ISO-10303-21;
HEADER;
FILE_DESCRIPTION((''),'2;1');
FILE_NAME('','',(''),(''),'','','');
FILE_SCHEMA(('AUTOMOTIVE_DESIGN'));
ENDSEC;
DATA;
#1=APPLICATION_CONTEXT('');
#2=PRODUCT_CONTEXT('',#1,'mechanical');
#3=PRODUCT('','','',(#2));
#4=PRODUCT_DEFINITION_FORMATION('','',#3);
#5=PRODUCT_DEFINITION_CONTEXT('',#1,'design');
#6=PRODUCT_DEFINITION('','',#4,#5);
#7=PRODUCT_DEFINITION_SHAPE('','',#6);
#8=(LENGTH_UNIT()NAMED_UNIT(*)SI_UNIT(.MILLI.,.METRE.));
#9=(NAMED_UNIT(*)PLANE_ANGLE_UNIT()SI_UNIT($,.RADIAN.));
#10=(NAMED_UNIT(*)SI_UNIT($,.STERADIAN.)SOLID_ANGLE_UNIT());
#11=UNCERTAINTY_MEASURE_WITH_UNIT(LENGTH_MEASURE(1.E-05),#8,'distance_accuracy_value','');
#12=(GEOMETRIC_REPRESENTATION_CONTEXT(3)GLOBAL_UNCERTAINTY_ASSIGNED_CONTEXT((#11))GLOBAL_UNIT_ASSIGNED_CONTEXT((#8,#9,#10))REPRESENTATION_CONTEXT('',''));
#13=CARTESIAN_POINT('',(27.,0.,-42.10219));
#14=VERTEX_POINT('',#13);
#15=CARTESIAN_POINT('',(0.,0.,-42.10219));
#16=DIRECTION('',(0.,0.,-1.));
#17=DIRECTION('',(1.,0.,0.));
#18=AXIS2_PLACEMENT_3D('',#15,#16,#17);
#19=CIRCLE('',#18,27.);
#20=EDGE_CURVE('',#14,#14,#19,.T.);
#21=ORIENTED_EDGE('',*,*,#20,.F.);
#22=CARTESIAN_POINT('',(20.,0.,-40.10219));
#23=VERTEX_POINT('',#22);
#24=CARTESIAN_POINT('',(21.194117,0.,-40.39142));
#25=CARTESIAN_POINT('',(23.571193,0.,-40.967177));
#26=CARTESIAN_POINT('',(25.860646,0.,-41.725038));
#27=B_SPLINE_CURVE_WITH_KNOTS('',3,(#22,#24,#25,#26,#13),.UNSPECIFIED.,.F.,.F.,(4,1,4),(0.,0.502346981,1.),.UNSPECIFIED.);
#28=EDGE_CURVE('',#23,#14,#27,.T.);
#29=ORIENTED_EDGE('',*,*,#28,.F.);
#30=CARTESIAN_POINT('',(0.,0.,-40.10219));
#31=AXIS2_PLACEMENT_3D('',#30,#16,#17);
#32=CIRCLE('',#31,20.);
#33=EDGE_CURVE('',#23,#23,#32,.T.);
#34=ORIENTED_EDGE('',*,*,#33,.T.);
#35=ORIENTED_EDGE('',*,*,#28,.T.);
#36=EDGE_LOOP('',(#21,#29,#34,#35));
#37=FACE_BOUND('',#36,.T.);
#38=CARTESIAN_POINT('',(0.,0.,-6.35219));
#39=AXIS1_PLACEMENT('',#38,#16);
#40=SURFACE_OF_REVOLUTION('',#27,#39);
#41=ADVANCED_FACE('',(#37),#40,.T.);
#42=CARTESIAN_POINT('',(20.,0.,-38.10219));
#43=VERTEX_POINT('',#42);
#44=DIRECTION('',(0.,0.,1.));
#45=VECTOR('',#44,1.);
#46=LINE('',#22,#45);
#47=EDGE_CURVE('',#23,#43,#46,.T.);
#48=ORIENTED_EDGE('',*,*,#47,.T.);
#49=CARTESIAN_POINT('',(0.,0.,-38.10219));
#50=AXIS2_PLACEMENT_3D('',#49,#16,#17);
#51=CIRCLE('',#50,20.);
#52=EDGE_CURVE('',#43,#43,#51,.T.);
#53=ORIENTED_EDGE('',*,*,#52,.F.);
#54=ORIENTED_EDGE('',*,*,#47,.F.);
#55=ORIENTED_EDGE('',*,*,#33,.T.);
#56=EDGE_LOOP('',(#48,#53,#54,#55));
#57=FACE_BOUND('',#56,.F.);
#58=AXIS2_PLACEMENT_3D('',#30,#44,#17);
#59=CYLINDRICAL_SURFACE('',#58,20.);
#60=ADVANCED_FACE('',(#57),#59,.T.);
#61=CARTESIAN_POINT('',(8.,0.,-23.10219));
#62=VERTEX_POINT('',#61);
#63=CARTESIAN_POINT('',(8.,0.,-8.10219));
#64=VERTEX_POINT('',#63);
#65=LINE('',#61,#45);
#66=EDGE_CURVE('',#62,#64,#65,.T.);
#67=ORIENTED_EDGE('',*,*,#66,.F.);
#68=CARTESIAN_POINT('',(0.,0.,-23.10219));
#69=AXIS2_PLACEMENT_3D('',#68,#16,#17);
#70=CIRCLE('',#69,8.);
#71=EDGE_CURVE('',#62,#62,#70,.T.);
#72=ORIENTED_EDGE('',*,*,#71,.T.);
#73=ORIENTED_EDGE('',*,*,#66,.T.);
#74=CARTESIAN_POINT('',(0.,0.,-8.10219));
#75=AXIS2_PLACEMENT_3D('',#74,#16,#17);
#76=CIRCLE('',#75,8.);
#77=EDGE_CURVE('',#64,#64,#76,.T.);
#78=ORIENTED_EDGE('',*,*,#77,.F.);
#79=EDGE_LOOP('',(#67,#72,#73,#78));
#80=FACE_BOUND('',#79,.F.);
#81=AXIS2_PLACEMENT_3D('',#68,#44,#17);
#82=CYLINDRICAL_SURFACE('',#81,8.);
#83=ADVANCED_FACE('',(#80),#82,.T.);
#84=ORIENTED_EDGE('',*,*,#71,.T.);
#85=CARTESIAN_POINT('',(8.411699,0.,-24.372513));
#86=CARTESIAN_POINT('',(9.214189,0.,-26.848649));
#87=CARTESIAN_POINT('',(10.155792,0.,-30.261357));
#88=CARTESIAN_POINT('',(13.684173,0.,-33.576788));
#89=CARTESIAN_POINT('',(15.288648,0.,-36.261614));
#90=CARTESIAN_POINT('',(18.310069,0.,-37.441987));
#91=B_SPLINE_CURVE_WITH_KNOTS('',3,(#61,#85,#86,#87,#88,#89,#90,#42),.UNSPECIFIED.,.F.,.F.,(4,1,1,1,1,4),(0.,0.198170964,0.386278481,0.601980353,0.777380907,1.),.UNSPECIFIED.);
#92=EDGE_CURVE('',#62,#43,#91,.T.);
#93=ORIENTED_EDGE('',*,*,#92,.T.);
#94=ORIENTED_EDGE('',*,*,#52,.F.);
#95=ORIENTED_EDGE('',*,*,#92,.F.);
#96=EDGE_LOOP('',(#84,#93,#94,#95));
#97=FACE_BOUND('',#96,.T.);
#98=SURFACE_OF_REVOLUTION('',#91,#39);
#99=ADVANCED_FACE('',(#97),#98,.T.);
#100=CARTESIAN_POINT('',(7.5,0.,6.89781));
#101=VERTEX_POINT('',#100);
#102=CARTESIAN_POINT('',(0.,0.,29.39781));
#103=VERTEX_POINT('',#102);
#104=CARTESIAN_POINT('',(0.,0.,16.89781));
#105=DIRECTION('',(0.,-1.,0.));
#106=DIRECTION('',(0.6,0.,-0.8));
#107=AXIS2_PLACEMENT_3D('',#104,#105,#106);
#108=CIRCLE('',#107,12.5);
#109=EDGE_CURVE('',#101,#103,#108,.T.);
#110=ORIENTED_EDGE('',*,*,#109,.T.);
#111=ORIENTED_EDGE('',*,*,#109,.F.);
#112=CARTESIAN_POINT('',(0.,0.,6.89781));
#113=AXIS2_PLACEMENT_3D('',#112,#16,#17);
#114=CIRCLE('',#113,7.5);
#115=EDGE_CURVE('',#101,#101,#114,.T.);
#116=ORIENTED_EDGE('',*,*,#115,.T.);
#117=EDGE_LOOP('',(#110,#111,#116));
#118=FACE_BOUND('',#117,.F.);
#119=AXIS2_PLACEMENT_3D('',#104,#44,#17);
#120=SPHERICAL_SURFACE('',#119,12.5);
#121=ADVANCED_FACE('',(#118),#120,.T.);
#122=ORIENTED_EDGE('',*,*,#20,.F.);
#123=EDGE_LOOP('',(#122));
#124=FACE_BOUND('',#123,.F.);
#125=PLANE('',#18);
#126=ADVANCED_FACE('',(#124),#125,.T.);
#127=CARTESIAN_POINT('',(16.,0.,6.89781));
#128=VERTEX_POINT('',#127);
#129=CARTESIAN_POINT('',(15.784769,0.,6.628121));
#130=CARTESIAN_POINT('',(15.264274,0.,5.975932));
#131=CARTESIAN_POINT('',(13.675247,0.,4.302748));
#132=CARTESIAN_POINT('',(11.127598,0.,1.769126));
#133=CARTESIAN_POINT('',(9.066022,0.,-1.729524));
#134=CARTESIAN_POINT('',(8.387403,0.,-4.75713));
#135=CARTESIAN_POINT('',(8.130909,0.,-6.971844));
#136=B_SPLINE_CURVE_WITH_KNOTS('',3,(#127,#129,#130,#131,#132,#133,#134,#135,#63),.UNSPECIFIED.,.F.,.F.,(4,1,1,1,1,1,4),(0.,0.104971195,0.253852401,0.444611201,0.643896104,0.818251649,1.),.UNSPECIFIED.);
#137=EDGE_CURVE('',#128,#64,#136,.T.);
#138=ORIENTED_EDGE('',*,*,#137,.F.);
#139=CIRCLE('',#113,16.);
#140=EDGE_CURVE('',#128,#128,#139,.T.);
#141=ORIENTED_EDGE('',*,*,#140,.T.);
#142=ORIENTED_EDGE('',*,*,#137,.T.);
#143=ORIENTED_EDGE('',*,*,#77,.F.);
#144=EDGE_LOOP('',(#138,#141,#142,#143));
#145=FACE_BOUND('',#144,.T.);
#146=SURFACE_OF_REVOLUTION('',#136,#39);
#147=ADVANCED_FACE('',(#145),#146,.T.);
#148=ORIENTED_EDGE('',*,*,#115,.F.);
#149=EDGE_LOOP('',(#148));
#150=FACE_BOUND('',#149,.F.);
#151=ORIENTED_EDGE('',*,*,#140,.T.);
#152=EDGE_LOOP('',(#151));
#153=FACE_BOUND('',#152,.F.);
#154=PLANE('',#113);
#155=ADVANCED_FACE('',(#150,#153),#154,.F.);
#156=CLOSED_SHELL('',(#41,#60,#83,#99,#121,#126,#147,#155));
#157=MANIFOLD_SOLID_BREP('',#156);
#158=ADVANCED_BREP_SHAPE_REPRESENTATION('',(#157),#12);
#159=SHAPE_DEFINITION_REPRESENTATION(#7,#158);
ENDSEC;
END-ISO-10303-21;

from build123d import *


with BuildPart() as f1:
    # F0 (on Front) → F1 (revolve)
    with BuildSketch(Plane.XZ):
        with BuildLine():
            Line((16, 6.8978102505), (7.5, 6.8978102505))
            ThreePointArc((7.5, 6.8978102505), (11.8585412256, 20.8506573257), (0, 29.3978102505))
            Line((0, 29.3978102505), (0, -40.1021897495))
            Line((0, -40.1021897495), (0, -42.1021897495))
            Line((0, -42.1021897495), (27, -42.1021897495))
            add(Edge.make_bspline(
                [(20, -40.1021897495), (21.1941168938, -40.3914195553), (23.5711927758, -40.9671765849), (25.860646462, -41.7250378187), (27, -42.1021897495)],
                knots=[0, 0, 0, 0, 0.5023469814, 1, 1, 1, 1], degree=3))
            Line((20, -40.1021897495), (20, -38.1021897495))
            add(Edge.make_bspline(
                [(8, -23.1021897495), (8.4116986172, -24.3725126167), (9.2141891192, -26.8486492684), (10.1557921826, -30.261356741), (13.6841732577, -33.5767875841), (15.2886480583, -36.2616137633), (18.3100686008, -37.4419870752), (20, -38.1021897495)],
                knots=[0, 0, 0, 0, 0.1981709642, 0.3862784812, 0.6019803529, 0.7773809075, 1, 1, 1, 1], degree=3))
            Line((8, -23.1021897495), (8, -8.1021897495))
            add(Edge.make_bspline(
                [(16, 6.8978102505), (15.784768845, 6.6281214852), (15.2642741944, 5.9759317051), (13.6752468804, 4.3027483389), (11.1275981536, 1.7691261968), (9.0660220221, -1.7295241114), (8.3874027664, -4.7571299872), (8.1309092124, -6.971843823), (8, -8.1021897495)],
                knots=[0, 0, 0, 0, 0.1049711949, 0.2538524008, 0.4446112015, 0.6438961042, 0.8182516488, 1, 1, 1, 1], degree=3))
        make_face()
    revolve(axis=Axis((0, 0, -6.3521897495), (0, 0, -1)))


solid = f1.part
